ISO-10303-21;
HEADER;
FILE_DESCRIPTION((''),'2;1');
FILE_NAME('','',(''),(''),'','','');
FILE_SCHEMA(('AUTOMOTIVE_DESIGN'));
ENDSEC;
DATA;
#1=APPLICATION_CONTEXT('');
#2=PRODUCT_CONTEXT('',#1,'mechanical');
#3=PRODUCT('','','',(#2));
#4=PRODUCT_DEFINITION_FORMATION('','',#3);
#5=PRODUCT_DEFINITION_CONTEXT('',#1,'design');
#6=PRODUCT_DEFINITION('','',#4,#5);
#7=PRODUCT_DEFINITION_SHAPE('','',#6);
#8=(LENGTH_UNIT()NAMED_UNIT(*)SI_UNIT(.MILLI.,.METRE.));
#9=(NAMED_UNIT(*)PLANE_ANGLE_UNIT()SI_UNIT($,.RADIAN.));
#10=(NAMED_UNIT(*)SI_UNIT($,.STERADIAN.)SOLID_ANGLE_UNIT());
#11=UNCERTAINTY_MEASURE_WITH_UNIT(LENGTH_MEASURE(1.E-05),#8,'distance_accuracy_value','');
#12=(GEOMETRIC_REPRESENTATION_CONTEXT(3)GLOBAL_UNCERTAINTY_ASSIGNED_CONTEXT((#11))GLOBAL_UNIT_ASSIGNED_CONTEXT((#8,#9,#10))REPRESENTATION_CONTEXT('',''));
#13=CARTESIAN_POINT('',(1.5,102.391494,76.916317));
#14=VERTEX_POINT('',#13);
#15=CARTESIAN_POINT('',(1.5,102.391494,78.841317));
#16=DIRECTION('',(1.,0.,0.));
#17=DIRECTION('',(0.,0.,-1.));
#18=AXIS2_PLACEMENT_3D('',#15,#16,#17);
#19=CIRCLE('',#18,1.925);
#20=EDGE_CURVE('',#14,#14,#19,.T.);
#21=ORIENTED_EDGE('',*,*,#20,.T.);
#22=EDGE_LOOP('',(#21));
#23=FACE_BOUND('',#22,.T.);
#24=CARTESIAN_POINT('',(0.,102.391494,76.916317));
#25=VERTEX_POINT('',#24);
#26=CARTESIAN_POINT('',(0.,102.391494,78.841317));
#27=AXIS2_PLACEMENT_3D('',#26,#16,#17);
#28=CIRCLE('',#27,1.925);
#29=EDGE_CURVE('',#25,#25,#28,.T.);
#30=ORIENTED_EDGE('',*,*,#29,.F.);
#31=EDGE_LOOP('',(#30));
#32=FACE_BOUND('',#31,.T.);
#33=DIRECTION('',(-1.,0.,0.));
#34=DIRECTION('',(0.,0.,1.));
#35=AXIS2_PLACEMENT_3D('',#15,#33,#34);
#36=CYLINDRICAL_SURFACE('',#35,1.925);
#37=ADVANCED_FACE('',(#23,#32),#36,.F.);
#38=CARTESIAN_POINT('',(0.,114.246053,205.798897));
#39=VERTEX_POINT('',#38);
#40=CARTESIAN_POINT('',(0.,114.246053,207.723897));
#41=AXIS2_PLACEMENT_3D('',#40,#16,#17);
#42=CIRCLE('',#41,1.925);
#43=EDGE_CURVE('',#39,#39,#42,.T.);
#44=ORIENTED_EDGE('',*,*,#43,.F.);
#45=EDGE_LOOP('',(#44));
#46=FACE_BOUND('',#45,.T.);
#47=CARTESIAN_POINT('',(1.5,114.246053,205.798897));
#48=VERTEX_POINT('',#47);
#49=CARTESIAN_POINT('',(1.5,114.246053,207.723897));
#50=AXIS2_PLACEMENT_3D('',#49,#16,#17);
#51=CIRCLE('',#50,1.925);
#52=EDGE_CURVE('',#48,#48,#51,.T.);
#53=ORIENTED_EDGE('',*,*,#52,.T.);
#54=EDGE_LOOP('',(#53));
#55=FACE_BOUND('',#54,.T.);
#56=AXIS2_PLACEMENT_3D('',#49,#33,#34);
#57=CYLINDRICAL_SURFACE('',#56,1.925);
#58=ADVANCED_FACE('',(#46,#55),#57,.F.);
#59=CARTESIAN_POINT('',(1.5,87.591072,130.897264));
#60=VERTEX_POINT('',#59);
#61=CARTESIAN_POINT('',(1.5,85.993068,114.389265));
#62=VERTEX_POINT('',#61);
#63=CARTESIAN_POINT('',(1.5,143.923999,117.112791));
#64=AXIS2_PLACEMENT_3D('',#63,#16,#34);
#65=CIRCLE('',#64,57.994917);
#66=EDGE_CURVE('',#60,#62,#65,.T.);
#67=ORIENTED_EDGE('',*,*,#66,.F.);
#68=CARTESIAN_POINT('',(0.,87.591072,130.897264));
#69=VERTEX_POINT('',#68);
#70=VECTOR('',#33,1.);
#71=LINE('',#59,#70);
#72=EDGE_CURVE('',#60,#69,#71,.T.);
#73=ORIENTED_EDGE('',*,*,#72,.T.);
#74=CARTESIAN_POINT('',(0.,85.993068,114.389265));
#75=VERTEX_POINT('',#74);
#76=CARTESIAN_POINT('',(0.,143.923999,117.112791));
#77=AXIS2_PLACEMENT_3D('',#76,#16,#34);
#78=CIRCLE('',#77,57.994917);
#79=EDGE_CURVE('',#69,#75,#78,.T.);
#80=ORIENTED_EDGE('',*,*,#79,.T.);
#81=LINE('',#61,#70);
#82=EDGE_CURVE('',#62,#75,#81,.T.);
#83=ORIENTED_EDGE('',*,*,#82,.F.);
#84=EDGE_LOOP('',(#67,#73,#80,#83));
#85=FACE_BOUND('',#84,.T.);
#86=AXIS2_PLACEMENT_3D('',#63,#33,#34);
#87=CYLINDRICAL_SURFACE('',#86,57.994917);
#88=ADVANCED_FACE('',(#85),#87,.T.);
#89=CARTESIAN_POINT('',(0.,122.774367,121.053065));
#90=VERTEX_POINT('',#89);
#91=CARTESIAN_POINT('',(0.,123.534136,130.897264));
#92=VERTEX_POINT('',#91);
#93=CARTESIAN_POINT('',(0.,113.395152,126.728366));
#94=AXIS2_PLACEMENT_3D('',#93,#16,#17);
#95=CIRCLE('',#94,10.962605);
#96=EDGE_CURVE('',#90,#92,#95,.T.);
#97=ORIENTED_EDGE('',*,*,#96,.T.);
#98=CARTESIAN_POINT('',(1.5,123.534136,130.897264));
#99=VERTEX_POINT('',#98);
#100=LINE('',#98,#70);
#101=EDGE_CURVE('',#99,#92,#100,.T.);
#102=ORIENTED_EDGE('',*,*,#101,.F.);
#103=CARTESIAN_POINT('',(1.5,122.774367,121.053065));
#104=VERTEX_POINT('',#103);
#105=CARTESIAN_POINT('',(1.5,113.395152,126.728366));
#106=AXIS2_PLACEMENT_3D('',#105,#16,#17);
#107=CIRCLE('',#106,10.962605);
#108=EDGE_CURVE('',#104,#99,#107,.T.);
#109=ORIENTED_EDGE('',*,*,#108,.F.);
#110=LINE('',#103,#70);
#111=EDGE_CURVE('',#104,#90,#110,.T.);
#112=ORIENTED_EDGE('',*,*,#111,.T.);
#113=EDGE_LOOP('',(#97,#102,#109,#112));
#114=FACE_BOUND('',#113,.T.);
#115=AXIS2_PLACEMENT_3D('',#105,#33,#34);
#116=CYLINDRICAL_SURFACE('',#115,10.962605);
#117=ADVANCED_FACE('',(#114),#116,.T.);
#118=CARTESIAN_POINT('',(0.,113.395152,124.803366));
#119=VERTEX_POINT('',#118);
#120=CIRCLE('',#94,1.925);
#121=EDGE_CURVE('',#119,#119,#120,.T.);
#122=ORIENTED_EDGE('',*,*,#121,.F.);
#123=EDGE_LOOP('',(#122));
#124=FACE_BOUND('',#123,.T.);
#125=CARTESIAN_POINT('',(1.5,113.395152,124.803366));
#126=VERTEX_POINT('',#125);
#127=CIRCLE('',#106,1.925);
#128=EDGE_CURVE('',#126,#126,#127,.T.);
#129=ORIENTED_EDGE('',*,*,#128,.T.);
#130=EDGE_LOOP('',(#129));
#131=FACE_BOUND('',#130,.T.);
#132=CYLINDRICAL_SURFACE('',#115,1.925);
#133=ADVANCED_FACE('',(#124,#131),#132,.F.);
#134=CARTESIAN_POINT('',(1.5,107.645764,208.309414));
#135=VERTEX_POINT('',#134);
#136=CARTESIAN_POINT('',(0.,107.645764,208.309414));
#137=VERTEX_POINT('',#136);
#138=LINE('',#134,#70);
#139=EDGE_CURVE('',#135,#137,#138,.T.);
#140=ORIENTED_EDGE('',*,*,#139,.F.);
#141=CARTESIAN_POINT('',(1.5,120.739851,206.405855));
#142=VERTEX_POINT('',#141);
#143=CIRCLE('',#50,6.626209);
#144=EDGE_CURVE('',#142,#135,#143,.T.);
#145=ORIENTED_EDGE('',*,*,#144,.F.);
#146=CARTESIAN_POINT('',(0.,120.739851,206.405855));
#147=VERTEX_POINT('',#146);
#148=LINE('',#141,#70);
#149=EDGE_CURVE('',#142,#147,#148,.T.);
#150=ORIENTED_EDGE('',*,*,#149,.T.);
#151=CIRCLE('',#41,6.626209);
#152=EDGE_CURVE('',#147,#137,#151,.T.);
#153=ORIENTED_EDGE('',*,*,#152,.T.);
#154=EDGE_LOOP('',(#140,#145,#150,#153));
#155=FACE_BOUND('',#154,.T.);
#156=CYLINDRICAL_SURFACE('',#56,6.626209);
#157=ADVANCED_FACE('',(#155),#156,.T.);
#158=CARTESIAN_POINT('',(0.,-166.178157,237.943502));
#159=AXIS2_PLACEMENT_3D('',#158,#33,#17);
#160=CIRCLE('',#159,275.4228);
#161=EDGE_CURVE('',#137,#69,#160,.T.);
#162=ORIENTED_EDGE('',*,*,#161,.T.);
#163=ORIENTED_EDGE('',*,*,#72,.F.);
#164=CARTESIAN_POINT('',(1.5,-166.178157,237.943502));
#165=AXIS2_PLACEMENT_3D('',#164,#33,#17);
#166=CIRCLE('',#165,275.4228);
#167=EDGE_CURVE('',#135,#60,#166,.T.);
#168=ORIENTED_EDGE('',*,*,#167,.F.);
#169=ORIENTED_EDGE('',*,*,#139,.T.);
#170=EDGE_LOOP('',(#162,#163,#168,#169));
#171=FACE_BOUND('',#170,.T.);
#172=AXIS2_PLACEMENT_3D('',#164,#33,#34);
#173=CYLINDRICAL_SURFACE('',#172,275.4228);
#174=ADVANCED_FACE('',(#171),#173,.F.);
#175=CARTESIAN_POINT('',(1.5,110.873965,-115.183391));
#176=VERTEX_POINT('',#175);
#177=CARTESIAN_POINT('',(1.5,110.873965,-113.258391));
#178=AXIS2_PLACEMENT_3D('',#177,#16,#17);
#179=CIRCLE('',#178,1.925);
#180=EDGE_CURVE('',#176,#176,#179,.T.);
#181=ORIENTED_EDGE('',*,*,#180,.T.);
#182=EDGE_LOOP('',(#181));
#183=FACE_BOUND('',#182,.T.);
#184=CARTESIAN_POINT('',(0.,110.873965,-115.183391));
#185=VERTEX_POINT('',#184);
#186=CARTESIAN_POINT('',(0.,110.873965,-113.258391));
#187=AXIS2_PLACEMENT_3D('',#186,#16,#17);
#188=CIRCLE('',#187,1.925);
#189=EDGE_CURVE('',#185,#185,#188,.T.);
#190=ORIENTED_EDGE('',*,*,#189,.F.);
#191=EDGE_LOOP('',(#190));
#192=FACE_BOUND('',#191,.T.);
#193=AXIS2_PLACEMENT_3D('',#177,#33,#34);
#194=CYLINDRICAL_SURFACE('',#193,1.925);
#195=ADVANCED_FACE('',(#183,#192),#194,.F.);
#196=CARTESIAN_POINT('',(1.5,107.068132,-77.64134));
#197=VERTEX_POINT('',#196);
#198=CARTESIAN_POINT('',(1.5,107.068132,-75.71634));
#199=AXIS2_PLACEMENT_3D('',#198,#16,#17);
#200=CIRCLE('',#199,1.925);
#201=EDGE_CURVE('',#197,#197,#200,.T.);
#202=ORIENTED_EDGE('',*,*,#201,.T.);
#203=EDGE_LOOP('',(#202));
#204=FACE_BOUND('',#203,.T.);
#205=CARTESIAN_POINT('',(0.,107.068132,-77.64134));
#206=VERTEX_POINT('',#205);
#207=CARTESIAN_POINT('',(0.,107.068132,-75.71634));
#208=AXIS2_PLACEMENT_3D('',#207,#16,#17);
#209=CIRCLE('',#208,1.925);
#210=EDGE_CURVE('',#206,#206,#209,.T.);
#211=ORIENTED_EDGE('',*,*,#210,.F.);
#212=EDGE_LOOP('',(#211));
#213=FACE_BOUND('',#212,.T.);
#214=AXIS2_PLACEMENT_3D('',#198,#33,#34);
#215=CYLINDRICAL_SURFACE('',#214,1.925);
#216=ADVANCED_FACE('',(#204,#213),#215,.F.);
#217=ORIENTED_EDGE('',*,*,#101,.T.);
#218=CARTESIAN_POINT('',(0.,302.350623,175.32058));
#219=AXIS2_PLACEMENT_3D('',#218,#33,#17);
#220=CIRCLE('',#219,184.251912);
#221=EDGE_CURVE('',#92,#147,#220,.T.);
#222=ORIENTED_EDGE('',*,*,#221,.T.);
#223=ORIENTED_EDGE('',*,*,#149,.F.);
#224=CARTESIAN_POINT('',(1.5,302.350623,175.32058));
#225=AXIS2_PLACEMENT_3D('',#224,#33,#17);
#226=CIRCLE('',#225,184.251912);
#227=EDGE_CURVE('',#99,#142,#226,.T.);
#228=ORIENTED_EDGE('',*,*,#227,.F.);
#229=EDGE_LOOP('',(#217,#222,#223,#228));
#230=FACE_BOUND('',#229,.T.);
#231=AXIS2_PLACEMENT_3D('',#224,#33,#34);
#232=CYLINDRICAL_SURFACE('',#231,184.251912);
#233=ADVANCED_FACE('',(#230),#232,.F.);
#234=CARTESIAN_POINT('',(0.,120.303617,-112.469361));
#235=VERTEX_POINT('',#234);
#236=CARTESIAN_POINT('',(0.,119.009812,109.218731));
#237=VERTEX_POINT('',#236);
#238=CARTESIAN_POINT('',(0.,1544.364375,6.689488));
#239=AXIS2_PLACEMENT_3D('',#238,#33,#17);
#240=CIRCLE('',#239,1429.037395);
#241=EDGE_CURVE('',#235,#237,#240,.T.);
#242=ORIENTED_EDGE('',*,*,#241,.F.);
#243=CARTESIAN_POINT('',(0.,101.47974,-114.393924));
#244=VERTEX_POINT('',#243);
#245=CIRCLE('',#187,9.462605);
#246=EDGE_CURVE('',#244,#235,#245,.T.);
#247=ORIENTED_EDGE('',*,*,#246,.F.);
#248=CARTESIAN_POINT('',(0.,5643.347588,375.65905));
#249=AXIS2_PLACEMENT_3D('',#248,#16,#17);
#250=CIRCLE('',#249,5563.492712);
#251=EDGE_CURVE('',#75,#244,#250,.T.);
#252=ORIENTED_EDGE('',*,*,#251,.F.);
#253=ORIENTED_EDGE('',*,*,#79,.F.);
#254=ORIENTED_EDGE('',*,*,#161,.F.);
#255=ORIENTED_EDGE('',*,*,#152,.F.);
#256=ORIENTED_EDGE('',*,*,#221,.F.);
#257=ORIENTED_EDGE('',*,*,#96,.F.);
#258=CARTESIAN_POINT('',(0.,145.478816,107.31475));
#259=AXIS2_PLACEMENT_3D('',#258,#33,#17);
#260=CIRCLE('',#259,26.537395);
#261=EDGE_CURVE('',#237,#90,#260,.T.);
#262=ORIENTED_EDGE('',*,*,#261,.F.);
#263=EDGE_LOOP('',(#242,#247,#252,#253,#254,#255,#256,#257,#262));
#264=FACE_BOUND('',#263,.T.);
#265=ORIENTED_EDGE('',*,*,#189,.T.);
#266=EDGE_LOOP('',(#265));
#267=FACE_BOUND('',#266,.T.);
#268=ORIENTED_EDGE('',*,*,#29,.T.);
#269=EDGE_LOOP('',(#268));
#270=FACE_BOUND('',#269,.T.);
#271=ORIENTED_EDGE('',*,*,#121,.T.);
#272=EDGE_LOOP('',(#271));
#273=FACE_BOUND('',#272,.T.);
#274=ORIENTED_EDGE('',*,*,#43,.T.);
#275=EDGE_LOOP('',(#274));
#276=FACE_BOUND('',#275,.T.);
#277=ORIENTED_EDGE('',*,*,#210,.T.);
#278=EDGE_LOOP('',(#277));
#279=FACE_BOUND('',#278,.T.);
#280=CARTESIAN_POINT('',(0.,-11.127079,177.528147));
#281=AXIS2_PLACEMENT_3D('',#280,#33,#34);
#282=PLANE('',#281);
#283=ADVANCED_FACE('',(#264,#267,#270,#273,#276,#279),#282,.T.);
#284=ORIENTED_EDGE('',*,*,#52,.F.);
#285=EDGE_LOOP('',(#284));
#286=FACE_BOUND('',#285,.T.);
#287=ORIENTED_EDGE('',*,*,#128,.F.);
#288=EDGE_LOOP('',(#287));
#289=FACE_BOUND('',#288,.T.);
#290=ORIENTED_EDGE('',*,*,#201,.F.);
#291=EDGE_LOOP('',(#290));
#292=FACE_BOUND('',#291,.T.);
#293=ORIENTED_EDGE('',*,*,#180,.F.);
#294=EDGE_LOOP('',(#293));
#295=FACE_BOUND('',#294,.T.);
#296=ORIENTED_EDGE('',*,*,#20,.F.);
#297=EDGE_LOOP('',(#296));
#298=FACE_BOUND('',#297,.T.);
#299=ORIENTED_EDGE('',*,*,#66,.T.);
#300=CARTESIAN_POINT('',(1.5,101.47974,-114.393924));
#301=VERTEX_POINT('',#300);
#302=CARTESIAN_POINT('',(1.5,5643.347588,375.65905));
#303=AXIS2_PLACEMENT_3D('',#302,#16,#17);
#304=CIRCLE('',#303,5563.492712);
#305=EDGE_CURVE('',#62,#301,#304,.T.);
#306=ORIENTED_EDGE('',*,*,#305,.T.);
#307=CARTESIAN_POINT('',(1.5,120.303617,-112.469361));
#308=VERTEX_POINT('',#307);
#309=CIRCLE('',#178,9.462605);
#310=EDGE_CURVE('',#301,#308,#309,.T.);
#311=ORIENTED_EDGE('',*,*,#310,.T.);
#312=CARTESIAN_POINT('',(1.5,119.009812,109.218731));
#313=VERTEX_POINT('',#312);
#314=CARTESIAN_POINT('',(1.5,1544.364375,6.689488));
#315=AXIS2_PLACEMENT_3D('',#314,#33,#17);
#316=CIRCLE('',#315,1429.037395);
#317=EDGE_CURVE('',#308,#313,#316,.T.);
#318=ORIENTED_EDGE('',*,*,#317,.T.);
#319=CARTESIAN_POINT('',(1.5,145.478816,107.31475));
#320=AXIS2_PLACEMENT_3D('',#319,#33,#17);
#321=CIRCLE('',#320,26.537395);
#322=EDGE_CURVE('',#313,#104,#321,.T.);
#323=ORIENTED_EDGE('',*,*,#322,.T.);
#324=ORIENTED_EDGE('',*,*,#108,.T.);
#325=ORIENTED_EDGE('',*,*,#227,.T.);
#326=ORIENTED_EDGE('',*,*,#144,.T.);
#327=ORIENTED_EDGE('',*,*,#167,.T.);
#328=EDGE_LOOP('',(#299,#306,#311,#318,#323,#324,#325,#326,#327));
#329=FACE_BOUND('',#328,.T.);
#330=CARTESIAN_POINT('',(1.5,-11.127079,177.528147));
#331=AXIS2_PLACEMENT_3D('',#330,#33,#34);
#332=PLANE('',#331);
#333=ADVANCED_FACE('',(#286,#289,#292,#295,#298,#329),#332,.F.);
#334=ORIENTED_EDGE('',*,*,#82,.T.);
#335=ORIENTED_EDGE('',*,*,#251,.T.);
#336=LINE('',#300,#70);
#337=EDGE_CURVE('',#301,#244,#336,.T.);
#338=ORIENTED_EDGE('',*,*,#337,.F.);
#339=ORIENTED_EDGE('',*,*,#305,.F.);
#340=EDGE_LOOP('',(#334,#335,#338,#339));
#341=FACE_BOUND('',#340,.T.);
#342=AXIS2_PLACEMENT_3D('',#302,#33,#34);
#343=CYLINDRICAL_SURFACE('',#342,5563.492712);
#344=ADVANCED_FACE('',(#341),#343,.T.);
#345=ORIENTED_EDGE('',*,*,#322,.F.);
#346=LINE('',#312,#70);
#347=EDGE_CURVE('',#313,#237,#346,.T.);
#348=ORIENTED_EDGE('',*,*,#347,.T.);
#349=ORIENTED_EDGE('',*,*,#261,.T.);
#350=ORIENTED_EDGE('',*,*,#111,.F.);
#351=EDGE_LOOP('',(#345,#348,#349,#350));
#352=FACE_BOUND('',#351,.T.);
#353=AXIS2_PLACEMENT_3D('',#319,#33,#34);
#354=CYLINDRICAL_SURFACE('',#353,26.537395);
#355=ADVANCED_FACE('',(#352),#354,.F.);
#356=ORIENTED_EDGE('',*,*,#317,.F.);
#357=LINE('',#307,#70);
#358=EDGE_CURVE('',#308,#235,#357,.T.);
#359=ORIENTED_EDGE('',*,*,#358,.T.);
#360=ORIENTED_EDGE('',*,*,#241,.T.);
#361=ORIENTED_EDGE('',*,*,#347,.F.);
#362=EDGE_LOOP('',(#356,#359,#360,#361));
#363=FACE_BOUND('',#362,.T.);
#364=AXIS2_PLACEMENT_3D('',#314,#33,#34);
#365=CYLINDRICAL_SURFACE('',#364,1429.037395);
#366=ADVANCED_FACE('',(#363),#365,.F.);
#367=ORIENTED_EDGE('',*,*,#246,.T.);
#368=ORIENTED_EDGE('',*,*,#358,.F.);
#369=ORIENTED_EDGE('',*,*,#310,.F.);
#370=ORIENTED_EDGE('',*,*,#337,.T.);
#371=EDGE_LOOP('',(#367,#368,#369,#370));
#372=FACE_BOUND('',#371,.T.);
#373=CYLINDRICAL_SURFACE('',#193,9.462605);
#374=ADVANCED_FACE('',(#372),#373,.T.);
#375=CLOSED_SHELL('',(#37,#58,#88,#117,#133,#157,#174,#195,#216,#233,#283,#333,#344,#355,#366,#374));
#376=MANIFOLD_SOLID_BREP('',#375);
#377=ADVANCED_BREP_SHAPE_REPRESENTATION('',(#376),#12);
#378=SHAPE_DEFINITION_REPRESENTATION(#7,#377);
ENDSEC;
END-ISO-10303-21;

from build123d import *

# Parameters (mm, degrees)
SKETCH_1_R      = 1.925
EXTRUDE_1_DEPTH = 1.5


with BuildPart() as part:
    # 草圖1 → 填料-伸長1 (new body)
    with BuildSketch(Plane(origin=(0, 0, 0), x_dir=(0, 0, -1), z_dir=(1, 0, 0))):
        with BuildLine():
            ThreePointArc((-130.897263822, 87.591071909), (-168.871615346, 100.442909595), (-208.309414447, 107.64576373))
            ThreePointArc((-208.309414447, 107.64576373), (-214.28117701, 115.199320657), (-206.405854958, 120.739850681))
            ThreePointArc((-206.405854958, 120.739850681), (-168.506781938, 118.224744692), (-130.897263822, 123.534136472))
            ThreePointArc((-130.897263822, 123.534136472), (-125.884787037, 124.325252138), (-121.053064598, 122.774366651))
            ThreePointArc((-121.053064598, 122.774366651), (-115.359208766, 120.190083617), (-109.218730551, 119.009812321))
            ThreePointArc((-109.218730551, 119.009812321), (1.650442282, 115.351316794), (112.469361248, 120.30361659))
            ThreePointArc((112.469361248, 120.30361659), (122.671923792, 111.836409472), (114.393924171, 101.479740068))
            ThreePointArc((114.393924171, 101.479740068), (0.082126176, 92.557578457), (-114.38926471, 85.993068006))
            ThreePointArc((-114.38926471, 85.993068006), (-122.70068315, 86.198910651), (-130.897263822, 87.591071909))
        make_face()
        with Locations((113.258391089, 110.873964994)):
            Circle(SKETCH_1_R, mode=Mode.SUBTRACT)
        with Locations((-207.723896624, 114.246052716)):
            Circle(SKETCH_1_R, mode=Mode.SUBTRACT)
        with Locations((-78.841316581, 102.391494034)):
            Circle(SKETCH_1_R, mode=Mode.SUBTRACT)
        with Locations((-126.72836608, 113.395152076)):
            Circle(SKETCH_1_R, mode=Mode.SUBTRACT)
        with Locations((75.716339506, 107.068132225)):
            Circle(SKETCH_1_R, mode=Mode.SUBTRACT)
    extrude(amount=EXTRUDE_1_DEPTH)


solid = part.part
